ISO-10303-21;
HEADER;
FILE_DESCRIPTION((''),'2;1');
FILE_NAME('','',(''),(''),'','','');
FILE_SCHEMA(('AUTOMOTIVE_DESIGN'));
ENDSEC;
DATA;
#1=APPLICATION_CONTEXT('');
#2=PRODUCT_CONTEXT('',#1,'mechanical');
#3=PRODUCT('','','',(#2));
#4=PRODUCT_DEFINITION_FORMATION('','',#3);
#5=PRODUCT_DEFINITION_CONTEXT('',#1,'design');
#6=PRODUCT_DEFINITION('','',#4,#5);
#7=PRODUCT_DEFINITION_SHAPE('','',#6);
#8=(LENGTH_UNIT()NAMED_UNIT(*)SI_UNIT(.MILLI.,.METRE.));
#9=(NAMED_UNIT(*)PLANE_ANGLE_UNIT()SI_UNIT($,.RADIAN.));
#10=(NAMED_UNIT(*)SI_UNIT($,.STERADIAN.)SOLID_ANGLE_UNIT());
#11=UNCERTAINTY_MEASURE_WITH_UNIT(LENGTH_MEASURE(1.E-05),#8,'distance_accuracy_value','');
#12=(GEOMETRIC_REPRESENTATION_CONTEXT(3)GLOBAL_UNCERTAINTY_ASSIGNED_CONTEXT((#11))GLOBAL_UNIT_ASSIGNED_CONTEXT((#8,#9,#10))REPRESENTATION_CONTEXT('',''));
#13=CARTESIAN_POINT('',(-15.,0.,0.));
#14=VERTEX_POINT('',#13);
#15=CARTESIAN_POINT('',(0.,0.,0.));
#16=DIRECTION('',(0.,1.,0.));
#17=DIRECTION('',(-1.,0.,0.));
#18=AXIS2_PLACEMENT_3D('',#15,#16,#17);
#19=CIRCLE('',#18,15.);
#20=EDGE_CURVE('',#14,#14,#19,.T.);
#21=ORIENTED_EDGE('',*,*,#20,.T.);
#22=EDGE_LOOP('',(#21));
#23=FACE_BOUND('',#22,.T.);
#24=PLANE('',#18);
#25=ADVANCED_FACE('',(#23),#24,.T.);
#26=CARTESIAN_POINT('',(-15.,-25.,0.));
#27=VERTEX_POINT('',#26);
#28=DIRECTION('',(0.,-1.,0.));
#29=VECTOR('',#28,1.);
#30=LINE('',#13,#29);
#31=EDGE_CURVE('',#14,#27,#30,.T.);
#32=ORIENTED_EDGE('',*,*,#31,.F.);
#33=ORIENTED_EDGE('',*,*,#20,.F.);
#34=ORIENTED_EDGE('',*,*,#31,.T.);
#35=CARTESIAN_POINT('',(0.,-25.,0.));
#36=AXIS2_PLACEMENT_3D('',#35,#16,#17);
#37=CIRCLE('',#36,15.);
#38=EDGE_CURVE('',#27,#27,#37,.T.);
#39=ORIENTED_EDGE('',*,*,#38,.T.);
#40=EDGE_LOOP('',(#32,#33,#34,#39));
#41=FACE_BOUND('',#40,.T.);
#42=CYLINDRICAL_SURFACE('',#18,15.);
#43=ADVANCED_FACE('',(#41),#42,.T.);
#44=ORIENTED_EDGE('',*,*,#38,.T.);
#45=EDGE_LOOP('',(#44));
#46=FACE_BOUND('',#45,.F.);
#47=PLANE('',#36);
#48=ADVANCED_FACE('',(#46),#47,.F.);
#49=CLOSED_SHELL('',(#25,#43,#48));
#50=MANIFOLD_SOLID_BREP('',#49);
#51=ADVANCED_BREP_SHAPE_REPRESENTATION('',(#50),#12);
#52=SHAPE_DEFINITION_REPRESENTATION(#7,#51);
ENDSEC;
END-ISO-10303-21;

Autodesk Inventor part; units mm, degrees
ref_plane "YZ Plane" through (0, 0, 0) normal (1, 0, 0) x (0, 1, 0)
ref_plane "XZ Plane" through (0, 0, 0) normal (0, 1, 0) x (-1, 0, 0)
ref_plane "XY Plane" through (0, 0, 0) normal (0, 0, 1) x (1, 0, 0)
sketch "스케치1" plane through (0, 0, 0) normal (0, 1, 0) x (-1, 0, 0)
  circle A0 centre (0, 0) radius 15
  dimension "d0" = 30
extrude "돌출1" add sketch "스케치1" against normal blind 25
properties part number "전자석"
